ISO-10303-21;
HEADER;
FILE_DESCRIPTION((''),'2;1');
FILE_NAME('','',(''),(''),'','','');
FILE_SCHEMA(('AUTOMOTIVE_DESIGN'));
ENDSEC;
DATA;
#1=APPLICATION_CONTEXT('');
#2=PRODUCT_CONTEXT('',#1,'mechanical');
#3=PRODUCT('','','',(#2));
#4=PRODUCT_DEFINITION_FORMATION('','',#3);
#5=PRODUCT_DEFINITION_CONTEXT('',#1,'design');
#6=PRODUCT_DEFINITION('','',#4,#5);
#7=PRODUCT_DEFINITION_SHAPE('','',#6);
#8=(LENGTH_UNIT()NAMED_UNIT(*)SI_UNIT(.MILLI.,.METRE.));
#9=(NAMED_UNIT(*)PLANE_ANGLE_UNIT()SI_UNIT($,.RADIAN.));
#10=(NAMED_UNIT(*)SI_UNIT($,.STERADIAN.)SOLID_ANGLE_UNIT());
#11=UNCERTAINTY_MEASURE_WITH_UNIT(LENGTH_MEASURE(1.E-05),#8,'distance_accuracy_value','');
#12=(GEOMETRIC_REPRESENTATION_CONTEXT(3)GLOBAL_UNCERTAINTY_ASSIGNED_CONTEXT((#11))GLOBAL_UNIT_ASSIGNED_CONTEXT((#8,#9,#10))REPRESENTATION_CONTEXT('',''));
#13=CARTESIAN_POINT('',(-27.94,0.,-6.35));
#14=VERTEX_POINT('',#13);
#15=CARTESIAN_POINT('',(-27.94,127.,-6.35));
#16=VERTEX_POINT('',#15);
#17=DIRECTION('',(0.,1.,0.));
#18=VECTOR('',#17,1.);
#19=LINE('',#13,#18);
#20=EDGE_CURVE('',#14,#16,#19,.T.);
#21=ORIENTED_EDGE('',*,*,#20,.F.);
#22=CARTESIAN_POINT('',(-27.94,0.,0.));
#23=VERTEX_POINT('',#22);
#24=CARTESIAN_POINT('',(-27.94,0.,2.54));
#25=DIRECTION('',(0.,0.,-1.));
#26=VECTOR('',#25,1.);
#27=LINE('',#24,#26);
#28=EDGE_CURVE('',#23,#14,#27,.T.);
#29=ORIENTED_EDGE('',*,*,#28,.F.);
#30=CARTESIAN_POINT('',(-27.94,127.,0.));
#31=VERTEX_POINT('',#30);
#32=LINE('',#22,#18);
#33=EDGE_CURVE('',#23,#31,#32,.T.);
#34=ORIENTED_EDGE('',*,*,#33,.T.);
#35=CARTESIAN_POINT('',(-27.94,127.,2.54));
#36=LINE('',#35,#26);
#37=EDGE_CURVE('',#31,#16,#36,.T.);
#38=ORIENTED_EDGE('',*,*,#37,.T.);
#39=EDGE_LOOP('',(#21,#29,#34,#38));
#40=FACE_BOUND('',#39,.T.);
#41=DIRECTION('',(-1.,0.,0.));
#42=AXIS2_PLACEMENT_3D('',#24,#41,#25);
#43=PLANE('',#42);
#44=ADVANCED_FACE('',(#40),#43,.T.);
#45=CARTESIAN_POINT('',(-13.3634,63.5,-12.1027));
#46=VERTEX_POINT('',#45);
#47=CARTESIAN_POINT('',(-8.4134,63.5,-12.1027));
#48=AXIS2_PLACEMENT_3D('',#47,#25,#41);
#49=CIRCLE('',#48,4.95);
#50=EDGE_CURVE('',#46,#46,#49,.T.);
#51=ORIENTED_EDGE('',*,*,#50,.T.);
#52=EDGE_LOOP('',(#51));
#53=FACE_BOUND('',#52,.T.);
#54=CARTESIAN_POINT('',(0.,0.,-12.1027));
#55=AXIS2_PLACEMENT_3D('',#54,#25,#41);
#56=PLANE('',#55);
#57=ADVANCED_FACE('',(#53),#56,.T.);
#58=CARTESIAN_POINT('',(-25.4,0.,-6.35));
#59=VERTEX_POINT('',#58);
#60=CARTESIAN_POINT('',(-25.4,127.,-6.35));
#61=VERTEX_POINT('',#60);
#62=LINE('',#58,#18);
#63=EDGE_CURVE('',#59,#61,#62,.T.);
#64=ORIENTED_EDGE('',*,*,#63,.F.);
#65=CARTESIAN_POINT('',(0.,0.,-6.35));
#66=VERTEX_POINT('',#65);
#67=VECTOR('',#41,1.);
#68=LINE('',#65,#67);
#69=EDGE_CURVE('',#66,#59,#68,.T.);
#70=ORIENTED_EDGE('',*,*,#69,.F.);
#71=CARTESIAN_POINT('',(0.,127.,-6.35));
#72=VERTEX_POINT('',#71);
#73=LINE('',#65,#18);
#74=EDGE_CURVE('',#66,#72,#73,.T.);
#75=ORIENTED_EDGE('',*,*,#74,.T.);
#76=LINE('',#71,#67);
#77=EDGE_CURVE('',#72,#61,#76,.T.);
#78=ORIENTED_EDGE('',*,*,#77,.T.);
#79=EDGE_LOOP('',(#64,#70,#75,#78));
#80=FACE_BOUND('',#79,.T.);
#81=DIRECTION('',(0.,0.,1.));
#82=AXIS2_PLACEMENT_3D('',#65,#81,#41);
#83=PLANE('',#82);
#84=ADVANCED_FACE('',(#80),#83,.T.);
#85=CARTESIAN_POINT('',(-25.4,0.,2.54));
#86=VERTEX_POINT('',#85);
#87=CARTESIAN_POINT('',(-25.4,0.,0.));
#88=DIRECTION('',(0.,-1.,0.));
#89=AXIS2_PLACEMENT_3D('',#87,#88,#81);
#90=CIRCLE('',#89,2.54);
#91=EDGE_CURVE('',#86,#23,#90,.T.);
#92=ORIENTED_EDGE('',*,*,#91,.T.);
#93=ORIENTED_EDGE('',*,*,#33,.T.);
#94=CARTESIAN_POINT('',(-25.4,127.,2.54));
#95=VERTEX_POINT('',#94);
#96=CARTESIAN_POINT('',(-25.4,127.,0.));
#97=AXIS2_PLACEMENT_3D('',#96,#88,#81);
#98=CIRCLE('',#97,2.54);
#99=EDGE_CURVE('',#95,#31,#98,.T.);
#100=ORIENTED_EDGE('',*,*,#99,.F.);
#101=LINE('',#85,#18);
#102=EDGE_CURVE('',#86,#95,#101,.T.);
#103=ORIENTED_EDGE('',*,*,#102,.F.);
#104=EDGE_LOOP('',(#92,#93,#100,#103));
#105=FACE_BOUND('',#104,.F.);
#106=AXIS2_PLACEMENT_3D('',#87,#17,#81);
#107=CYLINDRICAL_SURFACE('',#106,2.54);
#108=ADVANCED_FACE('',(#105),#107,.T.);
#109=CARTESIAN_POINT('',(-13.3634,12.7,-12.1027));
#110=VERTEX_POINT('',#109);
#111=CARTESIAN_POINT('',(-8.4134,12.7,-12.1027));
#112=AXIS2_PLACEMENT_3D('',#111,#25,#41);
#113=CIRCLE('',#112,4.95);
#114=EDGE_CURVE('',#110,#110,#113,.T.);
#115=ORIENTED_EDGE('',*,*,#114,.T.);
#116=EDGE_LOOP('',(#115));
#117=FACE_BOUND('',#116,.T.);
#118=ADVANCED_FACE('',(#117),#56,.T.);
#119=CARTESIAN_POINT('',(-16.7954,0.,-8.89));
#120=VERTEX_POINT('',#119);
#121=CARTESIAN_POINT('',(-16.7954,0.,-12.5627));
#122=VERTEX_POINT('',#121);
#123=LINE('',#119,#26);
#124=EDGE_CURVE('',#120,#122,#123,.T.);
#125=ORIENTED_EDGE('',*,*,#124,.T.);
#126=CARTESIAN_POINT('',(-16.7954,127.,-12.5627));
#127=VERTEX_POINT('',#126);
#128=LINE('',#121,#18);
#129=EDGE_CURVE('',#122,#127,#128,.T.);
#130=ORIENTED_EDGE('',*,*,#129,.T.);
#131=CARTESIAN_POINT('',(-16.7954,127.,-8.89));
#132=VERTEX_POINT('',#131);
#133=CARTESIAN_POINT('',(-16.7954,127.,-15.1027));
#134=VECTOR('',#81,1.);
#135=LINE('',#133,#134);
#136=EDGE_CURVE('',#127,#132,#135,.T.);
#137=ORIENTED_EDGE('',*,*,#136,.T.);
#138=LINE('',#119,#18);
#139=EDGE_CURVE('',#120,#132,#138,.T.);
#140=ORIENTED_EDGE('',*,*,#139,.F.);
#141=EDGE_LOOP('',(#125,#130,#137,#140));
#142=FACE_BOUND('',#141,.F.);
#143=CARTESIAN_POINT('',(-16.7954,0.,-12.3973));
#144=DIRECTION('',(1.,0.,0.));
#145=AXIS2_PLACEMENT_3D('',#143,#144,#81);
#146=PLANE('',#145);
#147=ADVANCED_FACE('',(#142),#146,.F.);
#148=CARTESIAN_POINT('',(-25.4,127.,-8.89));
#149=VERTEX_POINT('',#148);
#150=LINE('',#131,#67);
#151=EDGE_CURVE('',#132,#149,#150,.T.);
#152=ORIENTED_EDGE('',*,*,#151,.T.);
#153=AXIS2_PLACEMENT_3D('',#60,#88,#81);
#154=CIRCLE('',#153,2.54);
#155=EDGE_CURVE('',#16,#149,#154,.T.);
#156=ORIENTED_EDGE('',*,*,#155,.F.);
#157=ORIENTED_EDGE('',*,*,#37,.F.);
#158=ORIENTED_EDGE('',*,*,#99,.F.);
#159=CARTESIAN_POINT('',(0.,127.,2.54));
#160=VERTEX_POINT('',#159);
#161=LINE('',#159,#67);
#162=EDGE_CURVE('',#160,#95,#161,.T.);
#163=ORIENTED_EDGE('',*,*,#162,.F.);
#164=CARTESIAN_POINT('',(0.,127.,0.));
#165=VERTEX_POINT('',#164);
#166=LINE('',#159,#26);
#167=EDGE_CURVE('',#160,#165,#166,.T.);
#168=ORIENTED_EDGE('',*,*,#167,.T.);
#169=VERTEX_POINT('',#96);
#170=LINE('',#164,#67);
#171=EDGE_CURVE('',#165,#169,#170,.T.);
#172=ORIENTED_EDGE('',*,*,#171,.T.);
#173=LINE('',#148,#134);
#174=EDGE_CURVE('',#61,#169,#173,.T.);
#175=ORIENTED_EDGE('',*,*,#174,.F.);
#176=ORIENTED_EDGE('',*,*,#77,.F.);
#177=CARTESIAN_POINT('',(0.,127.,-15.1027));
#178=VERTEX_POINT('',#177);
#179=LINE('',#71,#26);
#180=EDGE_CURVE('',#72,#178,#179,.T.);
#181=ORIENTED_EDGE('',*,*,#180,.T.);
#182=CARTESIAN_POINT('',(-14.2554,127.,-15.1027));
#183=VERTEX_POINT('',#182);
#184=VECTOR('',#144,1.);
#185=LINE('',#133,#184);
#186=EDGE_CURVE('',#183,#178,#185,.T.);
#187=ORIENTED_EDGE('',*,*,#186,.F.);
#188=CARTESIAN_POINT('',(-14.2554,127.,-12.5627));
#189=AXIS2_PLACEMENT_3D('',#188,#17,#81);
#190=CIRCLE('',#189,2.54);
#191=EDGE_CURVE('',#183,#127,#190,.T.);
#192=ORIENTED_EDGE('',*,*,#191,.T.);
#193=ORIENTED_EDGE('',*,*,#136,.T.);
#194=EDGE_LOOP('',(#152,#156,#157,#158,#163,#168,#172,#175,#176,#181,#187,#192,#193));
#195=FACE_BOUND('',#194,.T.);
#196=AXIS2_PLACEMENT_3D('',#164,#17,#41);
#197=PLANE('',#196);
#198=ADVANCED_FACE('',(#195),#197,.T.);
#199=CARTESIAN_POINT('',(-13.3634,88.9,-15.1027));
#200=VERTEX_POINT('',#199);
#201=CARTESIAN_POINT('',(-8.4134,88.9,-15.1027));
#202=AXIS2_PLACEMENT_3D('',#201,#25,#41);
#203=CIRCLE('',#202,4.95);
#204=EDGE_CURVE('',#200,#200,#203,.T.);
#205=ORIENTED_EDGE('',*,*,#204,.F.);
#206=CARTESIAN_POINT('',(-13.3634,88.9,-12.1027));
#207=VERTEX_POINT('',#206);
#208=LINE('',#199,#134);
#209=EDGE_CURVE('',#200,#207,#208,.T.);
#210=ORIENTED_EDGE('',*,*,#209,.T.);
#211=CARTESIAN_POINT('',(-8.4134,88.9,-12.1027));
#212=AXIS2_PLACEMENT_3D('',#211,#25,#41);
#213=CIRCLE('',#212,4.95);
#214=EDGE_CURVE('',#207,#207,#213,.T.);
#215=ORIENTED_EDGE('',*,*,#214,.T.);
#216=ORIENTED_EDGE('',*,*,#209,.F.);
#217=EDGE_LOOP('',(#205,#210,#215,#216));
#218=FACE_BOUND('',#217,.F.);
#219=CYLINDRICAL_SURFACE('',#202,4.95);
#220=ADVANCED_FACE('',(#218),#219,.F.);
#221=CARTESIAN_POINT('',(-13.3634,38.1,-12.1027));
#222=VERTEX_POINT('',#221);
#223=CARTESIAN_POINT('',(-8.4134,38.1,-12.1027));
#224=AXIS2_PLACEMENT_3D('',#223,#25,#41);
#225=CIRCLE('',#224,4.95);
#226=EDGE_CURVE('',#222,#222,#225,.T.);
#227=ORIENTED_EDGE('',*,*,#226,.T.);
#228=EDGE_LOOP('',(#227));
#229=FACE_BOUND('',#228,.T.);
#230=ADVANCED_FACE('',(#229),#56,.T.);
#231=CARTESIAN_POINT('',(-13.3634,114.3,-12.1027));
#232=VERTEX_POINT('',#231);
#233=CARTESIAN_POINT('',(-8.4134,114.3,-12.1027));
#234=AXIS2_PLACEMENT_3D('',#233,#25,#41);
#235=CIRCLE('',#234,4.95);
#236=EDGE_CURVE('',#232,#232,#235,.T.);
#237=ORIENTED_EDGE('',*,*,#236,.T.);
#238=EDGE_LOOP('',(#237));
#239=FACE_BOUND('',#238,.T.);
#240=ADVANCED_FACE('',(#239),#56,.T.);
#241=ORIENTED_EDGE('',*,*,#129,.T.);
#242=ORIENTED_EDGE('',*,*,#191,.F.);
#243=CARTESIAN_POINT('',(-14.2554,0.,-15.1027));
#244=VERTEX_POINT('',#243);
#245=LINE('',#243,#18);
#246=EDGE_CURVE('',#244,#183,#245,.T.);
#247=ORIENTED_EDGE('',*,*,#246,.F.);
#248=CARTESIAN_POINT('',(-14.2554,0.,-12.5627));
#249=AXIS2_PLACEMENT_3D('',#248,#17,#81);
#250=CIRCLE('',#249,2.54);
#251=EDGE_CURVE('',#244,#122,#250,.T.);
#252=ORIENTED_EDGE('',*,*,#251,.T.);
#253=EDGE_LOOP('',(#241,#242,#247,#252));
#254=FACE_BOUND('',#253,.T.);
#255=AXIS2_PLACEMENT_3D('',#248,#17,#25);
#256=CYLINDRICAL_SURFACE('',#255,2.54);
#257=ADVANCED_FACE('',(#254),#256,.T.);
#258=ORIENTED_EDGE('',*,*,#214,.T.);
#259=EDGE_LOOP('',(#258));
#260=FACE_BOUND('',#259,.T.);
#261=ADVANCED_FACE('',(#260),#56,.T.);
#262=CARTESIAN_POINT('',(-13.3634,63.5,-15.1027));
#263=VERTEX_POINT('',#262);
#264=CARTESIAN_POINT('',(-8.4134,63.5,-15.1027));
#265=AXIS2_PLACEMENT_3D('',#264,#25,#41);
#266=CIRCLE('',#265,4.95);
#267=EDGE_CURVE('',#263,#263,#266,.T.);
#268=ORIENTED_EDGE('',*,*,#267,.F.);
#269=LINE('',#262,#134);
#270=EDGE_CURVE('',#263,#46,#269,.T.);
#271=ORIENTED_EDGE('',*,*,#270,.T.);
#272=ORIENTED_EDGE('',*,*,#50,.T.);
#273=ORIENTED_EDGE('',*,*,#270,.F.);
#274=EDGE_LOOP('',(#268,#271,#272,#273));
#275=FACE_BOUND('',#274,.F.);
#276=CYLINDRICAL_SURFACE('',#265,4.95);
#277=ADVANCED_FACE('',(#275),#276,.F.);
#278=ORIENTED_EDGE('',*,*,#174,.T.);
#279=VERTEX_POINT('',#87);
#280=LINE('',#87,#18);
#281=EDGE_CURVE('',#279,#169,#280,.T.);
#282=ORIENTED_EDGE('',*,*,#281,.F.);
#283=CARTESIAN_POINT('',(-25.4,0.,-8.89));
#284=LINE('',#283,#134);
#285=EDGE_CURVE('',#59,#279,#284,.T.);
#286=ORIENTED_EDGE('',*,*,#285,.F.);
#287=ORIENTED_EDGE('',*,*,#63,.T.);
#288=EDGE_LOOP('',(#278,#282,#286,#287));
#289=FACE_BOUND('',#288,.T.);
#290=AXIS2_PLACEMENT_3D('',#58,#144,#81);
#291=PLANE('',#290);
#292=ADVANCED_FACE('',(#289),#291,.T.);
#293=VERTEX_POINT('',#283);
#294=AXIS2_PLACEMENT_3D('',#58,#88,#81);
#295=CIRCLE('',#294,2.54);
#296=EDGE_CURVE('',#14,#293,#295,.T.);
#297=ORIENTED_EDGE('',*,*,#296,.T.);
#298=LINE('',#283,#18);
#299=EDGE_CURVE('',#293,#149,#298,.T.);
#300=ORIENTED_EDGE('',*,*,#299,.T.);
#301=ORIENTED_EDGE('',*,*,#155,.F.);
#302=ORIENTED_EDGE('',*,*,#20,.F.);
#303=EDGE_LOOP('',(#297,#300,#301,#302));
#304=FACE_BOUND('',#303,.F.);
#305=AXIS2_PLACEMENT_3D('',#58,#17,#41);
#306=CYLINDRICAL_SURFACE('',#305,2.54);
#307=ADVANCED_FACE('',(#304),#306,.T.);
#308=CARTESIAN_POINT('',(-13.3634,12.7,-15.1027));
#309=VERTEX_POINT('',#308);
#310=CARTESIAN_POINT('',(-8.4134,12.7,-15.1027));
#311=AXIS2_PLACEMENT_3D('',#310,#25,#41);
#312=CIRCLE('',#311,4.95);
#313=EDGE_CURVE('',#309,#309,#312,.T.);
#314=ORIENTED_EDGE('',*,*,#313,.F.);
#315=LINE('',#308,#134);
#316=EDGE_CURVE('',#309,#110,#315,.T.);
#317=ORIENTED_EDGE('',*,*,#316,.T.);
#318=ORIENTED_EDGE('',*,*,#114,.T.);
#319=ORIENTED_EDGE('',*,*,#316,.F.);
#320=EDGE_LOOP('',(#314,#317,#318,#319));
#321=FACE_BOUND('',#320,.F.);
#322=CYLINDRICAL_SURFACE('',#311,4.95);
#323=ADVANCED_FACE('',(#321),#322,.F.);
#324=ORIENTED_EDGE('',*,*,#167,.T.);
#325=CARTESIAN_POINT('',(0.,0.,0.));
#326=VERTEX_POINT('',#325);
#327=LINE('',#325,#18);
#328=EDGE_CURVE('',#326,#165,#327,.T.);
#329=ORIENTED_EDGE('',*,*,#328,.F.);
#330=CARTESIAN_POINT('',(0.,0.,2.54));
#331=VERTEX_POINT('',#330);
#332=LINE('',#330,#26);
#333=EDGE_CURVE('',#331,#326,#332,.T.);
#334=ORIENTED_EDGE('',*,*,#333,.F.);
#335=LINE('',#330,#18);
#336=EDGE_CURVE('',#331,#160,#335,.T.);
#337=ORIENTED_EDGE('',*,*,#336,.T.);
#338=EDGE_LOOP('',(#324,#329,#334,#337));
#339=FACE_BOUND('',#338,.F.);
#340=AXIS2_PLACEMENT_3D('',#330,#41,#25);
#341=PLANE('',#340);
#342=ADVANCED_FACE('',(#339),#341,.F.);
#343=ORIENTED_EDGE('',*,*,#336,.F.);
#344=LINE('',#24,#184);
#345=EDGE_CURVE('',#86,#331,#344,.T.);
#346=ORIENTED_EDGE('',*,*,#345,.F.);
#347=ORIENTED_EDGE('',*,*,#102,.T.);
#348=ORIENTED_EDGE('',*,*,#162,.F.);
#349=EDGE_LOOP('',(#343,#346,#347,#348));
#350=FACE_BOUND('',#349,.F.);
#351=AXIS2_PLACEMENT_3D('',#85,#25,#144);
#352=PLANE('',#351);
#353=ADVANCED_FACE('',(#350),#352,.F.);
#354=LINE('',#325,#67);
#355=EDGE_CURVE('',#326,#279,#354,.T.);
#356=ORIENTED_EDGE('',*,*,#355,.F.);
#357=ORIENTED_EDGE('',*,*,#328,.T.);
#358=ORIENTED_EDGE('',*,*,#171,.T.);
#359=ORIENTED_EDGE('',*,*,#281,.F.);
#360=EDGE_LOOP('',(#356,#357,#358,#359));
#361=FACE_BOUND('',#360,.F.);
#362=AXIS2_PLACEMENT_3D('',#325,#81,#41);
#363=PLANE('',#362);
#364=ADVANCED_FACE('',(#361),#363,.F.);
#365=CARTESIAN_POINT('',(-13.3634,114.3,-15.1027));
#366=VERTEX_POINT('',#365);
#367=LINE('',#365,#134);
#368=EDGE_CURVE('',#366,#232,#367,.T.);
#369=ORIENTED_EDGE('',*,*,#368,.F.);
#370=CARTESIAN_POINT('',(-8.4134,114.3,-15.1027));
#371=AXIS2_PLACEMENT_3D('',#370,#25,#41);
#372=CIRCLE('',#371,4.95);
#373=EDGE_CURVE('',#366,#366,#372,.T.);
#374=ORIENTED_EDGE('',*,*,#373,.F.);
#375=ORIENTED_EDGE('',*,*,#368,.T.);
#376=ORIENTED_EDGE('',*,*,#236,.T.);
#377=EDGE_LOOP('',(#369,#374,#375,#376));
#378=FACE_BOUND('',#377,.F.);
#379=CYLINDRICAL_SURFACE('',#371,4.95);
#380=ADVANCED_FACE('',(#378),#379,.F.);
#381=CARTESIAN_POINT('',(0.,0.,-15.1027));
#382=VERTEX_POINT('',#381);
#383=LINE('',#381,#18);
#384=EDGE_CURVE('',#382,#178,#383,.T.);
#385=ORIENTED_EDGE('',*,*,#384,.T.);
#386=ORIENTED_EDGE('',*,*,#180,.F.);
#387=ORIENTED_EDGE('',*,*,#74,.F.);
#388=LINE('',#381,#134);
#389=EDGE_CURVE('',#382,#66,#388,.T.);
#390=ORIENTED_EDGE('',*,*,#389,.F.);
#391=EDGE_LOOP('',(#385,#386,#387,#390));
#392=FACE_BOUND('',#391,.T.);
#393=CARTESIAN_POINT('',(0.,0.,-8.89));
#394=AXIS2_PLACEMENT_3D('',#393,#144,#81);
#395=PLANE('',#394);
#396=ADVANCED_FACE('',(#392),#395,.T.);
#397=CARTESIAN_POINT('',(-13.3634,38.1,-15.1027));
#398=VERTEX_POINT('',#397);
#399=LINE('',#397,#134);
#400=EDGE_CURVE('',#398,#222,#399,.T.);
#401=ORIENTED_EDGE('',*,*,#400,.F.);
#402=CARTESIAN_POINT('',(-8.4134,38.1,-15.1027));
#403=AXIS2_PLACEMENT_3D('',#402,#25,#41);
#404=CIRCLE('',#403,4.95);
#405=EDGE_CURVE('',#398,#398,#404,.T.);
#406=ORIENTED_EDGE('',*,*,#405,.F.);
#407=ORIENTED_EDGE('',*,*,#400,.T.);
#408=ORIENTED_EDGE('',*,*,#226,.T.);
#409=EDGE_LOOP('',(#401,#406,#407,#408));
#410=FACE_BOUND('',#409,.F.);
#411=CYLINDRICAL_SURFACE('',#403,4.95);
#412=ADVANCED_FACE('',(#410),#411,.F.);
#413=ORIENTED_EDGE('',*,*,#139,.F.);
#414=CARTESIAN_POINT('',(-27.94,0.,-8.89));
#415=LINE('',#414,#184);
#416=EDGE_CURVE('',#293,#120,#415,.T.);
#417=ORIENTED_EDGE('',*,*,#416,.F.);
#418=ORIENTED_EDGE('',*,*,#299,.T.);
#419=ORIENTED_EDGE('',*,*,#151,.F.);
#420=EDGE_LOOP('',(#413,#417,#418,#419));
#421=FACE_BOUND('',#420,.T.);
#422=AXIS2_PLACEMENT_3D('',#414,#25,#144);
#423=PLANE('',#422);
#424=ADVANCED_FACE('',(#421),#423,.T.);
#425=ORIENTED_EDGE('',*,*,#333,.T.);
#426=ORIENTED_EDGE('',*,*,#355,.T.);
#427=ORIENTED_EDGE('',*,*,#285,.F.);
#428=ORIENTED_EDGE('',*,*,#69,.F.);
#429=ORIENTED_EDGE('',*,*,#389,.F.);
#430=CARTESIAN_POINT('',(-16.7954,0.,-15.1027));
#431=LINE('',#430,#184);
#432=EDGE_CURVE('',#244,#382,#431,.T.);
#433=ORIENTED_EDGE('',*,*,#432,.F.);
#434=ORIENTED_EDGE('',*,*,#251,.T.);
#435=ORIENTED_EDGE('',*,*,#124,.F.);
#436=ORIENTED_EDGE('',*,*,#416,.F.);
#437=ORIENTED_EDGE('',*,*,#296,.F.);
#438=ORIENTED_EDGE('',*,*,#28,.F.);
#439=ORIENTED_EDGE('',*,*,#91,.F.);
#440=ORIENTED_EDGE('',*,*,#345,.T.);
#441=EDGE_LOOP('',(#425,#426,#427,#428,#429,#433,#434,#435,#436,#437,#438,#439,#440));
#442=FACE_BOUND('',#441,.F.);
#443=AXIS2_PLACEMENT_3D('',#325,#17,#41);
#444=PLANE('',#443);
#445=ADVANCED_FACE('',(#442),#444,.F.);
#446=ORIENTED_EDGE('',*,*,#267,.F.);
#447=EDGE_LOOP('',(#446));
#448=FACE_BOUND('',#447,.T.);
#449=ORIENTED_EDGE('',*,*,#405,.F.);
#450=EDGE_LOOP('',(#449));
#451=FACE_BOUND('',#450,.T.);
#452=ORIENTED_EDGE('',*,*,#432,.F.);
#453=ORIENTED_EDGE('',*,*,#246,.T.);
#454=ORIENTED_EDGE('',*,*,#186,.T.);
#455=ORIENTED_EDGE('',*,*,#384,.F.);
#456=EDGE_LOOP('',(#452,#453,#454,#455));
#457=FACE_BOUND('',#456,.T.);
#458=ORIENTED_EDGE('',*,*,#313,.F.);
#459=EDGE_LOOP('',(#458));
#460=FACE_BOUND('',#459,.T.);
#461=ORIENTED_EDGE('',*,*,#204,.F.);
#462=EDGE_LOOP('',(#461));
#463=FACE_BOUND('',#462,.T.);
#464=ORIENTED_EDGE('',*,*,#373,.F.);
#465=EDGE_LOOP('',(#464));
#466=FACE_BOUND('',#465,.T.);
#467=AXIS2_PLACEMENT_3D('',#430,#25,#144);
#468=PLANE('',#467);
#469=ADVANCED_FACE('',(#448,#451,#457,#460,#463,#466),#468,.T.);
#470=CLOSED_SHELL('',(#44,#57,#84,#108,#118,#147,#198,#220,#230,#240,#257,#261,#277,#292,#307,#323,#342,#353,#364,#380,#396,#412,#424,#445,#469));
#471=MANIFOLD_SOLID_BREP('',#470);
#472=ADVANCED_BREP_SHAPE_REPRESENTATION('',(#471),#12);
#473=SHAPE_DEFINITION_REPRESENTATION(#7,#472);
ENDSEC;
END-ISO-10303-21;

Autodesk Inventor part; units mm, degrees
ref_plane "YZ Plane" through (0, 0, 0) normal (1, 0, 0) x (0, 1, 0)
ref_plane "XZ Plane" through (0, 0, 0) normal (0, 1, 0) x (-1, 0, 0)
ref_plane "XY Plane" through (0, 0, 0) normal (0, 0, 1) x (1, 0, 0)
sketch "Sketch1" plane through (0, 0, 0) normal (0, 1, 0) x (-1, 0, 0)
  line L0 (0, 0) -> (25.4, 0)
  line L1 (25.4, 0) -> (25.4, 2.54)
  line L2 (25.4, 2.54) -> (0, 2.54)
  line L3 (0, 2.54) -> (0, 0)
  line L4 (25.4, 2.54) -> (27.94, 2.54)
  line L5 (27.94, 2.54) -> (27.94, -8.89)
  line L6 (27.94, -8.89) -> (25.4, -8.89)
  line L7 (25.4, -8.89) -> (25.4, 2.54)
  line L8 (-1.2994, 2.54) -> (27.94, 2.54)
  line L9 (25.4, -8.89) -> (0, -8.89)
  line L10 (0, -8.89) -> (0, -6.35)
  line L11 (0, -6.35) -> (25.4, -6.35)
  line L12 (25.4, -6.35) -> (25.4, -8.89)
  line L13 (8.3183, -8.89) -> (0, -8.89)
  line L14 (0, -8.89) -> (0, -12.3973)
  line L15 (0, -12.3973) -> (8.3183, -12.3973)
  line L16 (8.3183, -12.3973) -> (8.3183, -8.89)
  line L17 (0, -12.3973) -> (0, -6.35)
  line L18 (8.3183, -12.3973) -> (16.7954, -12.3973)
  line L19 (16.7954, -12.3973) -> (16.7954, -8.89)
  line L20 (16.7954, -8.89) -> (8.3183, -8.89)
  line L21 (8.3183, -8.89) -> (8.3183, -12.3973)
  line L22 (0, -12.3973) -> (16.7954, -12.3973)
  line L23 (16.7954, -12.3973) -> (16.7954, -15.1027)
  line L24 (16.7954, -15.1027) -> (0, -15.1027)
  line L25 (0, -15.1027) -> (0, -12.3973)
  point P0 (26.67, 2.54)
  point P1 (26.67, -8.89)
  point P2 (0, -8.89)
  point P3 (0, -8.89)
  dimension "d0" = 25.4
  dimension "d1" = 2.54
  dimension "d2" = 2.54
  dimension "d3" = 11.43
  dimension "d4" = 2.54
extrude "Extrusion1" add sketch "Sketch1" along normal blind 127
sketch "Sketch4" plane through (0, 0, -15.1027) normal (0, 0, -1) x (-1, 0, 0)
  circle A0 centre (8.4134, 114.3) radius 4.95
  line L0 (16.7954, 0) -> (16.7954, 127) projected
  circle A1 centre (8.4134, 88.9) radius 4.95
  circle A2 centre (8.4134, 63.5) radius 4.95
  circle A3 centre (8.4134, 38.1) radius 4.95
  circle A4 centre (8.4134, 12.7) radius 4.95
  line L1 (0, 127) -> (16.7954, 127) projected
  point P0 (0, 0)
  dimension "d15" = 9.9
  dimension "d16" = 8.382
  dimension "d19" = 25.4
  dimension "d24" = 12.7
extrude "Extrusion3" cut sketch "Sketch4" against normal blind 3
fillet "Fillet3" radius 2.54 3 edges at (-27.94, 63.5, -8.89) (-27.94, 63.5, 2.54) (-16.7954, 63.5, -15.1027)
properties part number "magnet"
